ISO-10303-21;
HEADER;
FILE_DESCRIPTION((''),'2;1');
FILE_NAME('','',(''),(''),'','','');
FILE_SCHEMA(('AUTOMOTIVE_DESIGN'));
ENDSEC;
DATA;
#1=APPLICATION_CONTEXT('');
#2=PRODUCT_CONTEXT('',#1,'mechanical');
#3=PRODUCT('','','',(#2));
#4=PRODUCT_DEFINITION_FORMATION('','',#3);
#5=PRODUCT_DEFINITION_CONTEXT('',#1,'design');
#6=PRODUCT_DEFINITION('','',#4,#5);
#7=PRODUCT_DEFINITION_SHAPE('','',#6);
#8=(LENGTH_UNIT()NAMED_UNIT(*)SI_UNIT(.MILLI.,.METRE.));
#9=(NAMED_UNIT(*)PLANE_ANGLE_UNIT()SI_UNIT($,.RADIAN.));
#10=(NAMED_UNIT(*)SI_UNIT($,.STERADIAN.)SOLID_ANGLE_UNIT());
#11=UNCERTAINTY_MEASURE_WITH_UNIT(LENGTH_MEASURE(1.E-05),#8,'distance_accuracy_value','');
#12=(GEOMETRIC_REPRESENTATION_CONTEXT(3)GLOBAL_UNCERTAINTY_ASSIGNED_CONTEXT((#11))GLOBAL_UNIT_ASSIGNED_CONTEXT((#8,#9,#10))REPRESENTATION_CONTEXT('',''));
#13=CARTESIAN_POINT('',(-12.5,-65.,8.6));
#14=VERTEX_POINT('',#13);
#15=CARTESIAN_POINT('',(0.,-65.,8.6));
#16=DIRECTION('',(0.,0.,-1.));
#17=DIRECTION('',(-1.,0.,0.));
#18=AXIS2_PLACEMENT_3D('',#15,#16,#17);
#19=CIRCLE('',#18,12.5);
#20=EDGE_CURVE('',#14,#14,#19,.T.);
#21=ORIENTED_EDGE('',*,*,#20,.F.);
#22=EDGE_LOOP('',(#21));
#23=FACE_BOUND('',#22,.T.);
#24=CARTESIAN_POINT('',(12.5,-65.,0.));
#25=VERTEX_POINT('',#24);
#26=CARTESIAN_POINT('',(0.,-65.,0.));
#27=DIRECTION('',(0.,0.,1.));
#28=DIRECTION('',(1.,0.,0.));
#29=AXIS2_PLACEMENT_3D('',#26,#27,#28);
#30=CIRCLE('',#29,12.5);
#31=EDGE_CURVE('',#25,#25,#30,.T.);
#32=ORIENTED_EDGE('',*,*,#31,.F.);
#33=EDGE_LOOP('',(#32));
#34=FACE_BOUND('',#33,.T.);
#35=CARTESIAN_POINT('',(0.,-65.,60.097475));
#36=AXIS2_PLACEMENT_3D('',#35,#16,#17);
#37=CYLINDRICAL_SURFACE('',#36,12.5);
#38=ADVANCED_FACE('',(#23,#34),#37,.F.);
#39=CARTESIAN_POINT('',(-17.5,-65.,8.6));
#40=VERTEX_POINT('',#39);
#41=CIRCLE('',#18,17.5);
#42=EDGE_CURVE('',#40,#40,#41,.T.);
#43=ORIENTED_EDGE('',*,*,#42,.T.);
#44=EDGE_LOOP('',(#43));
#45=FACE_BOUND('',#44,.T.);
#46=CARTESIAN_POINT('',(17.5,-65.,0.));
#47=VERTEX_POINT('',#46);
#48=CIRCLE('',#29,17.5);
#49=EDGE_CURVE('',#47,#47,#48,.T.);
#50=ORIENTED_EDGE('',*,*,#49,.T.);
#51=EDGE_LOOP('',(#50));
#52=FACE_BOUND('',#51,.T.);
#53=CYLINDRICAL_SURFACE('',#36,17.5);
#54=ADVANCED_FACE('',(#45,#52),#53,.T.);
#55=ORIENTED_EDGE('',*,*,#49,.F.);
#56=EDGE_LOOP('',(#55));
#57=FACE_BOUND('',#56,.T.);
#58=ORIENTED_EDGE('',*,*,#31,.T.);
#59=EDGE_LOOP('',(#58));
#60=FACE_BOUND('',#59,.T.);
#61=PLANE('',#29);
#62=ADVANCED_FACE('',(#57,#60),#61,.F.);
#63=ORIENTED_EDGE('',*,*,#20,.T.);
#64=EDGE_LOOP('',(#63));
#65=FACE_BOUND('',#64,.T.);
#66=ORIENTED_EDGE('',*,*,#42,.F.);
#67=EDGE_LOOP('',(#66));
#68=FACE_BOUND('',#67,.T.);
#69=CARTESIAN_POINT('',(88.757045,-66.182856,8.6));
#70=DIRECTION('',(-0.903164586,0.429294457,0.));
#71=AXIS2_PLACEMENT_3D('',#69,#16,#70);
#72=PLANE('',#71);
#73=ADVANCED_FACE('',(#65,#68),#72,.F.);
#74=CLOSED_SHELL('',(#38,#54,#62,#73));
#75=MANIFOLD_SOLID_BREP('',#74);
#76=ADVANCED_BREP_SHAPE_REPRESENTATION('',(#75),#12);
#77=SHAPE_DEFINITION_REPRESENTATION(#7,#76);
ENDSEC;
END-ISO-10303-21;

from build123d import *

# Parameters (mm, degrees)
SKETCH_1_R      = 17.5
SKETCH_1_R_2    = 12.5
EXTRUDE_1_DEPTH = 8.6


with BuildPart() as part:
    # Эскиз1 → Бобышка-Вытянуть1 (new body)
    with BuildSketch(Plane.XY):
        with Locations((0, -65)):
            Circle(SKETCH_1_R)
        with Locations((0, -65)):
            Circle(SKETCH_1_R_2, mode=Mode.SUBTRACT)
    extrude(amount=EXTRUDE_1_DEPTH)


solid = part.part
